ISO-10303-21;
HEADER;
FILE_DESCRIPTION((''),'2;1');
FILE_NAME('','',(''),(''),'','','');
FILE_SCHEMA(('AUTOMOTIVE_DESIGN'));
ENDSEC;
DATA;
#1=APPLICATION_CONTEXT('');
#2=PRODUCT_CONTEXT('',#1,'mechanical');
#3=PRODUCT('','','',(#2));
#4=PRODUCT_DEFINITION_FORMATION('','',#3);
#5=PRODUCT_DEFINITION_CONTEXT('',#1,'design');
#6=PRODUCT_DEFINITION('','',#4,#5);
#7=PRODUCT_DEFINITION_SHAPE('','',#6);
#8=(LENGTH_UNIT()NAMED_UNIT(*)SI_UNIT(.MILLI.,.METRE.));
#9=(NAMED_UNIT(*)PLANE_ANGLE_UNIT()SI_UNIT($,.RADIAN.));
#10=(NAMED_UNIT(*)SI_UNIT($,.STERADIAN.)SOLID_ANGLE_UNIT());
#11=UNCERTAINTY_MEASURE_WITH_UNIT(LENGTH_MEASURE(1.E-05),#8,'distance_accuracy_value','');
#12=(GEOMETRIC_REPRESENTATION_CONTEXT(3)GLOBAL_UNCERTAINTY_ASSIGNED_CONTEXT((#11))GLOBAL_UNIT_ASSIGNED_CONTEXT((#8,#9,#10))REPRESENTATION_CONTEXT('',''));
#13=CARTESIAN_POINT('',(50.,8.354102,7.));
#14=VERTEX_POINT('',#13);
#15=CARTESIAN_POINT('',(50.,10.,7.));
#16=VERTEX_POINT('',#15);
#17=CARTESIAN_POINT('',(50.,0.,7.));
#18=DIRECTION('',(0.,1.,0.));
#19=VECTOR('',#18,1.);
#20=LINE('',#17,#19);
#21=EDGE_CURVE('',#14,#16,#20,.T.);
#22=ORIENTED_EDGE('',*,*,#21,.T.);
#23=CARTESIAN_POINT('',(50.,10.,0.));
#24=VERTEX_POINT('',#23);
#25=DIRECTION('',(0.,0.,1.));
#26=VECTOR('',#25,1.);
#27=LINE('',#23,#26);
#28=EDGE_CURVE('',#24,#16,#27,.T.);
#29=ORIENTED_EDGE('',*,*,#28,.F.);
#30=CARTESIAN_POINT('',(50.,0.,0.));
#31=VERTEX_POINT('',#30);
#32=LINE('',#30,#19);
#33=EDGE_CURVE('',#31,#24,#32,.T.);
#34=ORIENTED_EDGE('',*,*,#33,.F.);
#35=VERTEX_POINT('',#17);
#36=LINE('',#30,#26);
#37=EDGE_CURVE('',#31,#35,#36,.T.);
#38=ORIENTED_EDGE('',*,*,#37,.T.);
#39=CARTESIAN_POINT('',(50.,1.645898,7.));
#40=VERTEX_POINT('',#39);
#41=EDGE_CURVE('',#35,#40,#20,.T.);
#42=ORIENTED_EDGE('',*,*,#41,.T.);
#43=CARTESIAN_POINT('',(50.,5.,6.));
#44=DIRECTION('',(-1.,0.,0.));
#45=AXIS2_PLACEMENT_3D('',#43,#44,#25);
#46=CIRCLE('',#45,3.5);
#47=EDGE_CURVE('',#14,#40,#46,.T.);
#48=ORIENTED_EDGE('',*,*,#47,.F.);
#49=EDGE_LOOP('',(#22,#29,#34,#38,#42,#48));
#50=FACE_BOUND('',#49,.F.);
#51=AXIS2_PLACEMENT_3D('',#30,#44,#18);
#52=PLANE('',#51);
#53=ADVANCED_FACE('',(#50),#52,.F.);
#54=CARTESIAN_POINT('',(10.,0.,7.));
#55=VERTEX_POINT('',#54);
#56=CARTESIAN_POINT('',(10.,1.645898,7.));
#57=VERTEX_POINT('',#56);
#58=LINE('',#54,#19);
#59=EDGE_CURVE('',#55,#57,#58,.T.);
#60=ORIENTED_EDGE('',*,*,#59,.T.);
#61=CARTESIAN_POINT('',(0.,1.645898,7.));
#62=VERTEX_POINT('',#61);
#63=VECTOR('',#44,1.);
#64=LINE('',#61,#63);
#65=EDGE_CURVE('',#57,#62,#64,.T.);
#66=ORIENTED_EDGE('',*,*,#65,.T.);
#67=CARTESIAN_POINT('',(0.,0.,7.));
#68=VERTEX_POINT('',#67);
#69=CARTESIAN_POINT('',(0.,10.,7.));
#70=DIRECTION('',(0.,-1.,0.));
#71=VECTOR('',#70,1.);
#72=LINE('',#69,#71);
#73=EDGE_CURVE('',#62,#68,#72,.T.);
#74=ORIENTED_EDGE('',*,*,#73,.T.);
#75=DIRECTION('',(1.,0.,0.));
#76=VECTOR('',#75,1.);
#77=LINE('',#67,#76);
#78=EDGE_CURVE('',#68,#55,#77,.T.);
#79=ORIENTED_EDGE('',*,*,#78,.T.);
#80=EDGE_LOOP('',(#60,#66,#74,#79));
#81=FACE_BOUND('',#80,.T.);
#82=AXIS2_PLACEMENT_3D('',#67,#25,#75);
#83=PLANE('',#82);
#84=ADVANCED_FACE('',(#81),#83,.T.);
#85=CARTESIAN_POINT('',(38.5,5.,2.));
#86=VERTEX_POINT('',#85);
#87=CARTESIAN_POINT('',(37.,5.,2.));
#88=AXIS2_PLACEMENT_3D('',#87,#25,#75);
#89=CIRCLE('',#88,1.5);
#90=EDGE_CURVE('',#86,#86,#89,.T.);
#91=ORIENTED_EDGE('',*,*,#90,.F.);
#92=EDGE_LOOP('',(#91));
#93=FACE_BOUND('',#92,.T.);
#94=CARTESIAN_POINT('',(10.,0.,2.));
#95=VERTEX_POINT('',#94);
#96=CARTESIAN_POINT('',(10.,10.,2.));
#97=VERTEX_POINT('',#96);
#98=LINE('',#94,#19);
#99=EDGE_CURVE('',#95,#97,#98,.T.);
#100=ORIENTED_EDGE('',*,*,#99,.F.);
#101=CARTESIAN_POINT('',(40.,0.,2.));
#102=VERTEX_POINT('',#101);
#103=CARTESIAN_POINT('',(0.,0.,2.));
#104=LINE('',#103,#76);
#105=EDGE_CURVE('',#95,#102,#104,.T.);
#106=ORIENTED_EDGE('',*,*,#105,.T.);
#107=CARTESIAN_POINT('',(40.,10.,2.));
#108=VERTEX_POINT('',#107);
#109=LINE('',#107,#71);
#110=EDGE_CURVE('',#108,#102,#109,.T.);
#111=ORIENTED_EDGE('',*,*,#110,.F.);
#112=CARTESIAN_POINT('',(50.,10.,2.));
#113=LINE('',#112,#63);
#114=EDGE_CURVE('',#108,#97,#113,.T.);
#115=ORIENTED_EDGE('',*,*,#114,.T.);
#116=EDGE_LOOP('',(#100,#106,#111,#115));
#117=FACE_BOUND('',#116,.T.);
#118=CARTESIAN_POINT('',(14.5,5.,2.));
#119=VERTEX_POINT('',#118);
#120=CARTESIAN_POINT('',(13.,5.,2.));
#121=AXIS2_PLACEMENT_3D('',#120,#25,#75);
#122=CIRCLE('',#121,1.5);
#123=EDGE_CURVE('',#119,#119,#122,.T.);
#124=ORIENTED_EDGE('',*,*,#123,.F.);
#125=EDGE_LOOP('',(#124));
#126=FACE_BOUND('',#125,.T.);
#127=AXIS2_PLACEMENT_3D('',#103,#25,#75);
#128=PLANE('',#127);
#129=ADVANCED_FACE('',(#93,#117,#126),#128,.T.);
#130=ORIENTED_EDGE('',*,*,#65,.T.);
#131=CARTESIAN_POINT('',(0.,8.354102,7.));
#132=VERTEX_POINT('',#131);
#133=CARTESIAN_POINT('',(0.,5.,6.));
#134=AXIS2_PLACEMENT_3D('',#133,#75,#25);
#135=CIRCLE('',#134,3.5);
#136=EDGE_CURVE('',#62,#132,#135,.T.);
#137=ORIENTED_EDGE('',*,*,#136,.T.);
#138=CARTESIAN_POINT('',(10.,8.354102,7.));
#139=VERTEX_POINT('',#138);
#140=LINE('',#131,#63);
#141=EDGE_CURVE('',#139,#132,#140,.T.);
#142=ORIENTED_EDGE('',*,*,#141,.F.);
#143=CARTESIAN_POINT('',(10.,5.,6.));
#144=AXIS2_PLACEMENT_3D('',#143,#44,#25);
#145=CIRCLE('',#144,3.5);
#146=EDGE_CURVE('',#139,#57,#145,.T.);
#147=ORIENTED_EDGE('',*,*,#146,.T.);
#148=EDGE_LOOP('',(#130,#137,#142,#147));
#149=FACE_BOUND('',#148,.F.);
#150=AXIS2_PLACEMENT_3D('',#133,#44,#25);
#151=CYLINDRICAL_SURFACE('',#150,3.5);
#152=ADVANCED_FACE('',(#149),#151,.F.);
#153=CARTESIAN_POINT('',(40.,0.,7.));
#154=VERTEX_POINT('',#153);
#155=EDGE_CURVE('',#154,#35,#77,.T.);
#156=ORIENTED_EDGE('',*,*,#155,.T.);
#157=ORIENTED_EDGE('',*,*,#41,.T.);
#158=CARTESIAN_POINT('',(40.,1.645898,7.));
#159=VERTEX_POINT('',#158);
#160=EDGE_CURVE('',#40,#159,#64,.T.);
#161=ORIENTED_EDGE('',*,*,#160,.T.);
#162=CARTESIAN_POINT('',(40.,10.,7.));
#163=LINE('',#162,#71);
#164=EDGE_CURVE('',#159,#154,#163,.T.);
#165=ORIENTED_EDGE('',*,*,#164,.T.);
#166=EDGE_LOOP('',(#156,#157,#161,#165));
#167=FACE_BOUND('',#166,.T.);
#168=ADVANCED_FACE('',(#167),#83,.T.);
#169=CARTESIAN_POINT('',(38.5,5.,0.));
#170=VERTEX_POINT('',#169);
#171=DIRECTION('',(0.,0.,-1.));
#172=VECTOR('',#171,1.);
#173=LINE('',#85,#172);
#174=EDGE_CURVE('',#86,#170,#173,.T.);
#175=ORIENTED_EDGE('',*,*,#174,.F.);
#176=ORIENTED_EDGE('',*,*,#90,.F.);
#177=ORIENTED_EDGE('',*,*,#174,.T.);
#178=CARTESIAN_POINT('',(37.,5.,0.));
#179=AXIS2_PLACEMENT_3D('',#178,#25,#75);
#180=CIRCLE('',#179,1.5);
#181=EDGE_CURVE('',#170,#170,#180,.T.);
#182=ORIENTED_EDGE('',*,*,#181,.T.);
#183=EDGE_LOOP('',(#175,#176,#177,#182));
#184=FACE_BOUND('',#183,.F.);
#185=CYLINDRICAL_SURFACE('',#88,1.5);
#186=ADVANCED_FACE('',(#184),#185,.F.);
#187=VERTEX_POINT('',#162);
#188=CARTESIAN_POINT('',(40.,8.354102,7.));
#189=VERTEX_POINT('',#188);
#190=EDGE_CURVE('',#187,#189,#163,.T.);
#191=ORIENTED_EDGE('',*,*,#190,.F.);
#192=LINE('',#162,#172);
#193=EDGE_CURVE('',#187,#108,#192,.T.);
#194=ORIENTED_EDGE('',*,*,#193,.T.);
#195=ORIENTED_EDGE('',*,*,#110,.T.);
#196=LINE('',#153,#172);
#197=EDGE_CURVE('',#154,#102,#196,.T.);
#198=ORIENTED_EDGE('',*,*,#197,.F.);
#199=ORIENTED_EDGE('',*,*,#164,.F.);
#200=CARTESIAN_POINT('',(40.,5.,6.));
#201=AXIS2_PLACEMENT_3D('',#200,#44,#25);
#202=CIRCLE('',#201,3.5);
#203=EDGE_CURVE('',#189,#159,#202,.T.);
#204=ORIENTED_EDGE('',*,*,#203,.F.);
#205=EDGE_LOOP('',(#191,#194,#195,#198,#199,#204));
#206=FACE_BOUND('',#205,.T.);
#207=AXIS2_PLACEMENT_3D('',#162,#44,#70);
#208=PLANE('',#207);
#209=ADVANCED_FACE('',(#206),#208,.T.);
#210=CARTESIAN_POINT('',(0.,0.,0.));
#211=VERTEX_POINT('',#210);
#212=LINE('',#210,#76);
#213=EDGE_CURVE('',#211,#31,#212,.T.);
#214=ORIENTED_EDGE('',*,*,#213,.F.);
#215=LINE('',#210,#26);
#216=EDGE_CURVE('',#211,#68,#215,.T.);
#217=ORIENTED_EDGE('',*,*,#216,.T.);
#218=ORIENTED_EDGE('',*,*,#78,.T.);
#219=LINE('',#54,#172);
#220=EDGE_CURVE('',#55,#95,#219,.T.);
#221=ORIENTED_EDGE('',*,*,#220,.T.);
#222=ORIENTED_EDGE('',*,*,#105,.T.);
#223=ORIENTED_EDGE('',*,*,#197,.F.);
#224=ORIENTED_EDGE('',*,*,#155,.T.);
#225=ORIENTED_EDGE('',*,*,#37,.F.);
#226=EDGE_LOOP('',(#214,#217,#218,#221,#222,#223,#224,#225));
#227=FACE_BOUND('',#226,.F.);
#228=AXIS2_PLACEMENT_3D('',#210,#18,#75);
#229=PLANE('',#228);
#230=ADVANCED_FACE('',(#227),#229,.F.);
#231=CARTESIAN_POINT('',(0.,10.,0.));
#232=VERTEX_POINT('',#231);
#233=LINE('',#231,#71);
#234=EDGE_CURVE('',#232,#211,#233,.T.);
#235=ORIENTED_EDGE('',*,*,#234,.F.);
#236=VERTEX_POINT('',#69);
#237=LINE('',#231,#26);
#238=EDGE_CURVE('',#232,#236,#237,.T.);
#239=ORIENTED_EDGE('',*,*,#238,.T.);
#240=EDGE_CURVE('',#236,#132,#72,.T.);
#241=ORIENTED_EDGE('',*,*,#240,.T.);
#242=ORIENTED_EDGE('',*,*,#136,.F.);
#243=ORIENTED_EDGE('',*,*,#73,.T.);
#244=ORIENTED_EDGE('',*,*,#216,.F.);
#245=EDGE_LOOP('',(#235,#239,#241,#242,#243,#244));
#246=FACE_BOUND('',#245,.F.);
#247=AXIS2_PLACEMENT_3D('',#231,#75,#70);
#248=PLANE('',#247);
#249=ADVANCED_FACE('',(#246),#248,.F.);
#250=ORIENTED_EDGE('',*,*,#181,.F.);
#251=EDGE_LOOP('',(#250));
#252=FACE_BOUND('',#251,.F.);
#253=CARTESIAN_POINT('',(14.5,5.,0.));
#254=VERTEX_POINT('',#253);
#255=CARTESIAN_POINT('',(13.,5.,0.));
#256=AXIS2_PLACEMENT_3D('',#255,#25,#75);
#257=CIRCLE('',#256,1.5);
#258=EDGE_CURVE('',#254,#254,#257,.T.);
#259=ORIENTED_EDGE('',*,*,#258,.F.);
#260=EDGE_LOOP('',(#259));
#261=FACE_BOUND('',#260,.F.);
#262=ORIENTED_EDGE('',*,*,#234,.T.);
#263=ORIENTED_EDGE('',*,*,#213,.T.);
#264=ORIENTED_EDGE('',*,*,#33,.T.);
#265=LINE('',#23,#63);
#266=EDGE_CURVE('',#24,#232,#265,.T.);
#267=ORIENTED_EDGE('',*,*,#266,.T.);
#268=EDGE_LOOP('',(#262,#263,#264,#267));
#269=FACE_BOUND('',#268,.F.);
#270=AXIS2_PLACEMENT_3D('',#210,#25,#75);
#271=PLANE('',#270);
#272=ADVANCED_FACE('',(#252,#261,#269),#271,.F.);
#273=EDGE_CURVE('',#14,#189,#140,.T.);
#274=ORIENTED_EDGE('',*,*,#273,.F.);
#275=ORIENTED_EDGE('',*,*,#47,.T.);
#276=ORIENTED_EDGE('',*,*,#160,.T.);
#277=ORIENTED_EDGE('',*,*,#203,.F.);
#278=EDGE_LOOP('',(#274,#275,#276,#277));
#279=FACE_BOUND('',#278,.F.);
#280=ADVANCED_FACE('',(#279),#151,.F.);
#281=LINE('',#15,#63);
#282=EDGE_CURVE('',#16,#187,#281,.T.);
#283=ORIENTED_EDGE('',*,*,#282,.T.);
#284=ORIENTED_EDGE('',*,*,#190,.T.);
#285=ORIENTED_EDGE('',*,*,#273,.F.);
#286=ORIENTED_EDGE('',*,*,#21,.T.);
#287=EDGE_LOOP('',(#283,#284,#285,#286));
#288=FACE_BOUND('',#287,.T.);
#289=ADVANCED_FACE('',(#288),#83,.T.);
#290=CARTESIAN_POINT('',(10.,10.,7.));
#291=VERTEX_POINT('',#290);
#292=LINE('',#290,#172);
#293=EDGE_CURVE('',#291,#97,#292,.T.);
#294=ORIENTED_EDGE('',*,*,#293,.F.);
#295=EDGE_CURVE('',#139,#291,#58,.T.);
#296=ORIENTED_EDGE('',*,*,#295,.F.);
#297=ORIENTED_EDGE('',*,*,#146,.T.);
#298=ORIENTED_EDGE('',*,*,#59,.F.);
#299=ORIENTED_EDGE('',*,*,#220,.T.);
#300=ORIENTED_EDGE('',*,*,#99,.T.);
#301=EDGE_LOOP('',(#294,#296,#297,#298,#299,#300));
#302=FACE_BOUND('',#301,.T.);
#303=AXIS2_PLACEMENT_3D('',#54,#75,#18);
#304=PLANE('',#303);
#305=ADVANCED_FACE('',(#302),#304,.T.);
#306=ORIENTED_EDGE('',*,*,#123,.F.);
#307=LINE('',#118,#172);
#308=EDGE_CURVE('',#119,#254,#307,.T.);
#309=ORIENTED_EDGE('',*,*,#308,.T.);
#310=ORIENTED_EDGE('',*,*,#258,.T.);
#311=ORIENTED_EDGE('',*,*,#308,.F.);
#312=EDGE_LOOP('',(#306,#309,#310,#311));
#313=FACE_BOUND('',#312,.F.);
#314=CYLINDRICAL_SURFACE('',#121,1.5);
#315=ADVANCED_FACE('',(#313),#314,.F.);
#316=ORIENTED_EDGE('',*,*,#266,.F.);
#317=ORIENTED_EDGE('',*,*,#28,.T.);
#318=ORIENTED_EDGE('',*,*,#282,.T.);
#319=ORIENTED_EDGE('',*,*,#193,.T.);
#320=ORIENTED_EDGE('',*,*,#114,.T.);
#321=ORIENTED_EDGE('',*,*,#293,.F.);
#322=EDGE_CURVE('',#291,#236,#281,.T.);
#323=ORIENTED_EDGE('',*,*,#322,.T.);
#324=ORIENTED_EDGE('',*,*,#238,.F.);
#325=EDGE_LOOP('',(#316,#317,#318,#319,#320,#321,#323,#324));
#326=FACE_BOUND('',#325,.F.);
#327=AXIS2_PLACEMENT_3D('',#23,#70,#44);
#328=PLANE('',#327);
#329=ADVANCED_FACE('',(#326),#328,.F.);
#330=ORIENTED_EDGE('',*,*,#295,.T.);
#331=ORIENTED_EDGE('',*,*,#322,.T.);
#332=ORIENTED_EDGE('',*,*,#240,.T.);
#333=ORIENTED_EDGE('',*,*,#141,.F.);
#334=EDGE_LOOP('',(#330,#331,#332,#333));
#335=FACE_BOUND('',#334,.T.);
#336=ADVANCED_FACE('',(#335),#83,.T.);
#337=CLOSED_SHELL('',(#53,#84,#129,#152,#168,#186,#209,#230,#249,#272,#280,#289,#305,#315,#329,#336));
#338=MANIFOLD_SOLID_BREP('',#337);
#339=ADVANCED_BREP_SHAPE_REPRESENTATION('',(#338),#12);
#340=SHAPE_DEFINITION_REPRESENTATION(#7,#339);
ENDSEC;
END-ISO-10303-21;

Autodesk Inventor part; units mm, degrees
ref_plane "YZ Plane" through (0, 0, 0) normal (1, 0, 0) x (0, 1, 0)
ref_plane "XZ Plane" through (0, 0, 0) normal (0, 1, 0) x (-1, 0, 0)
ref_plane "XY Plane" through (0, 0, 0) normal (0, 0, 1) x (1, 0, 0)
sketch "Sketch1" plane through (0, 0, 0) normal (0, 0, 1) x (1, 0, 0)
  line L0 (0, 0) -> (50, 0)
  line L1 (50, 0) -> (50, 10)
  line L2 (50, 10) -> (0, 10)
  line L3 (0, 10) -> (0, 0)
  dimension "d0" = 50
  dimension "d1" = 10
extrude "Extrusion1" add sketch "Sketch1" along normal blind 7
sketch "Sketch2" plane through (0, 0, 0) normal (-1, 0, 0) x (0, 0, 1)
  circle A0 centre (6, 5) radius 3.5
  line L0 (7, 10) -> (7, 0) projected
  point P0 (0, 0)
  point P1 (7, 5)
  dimension "d4" = 7
  dimension "d33" = 1
extrude "Extrusion2" cut sketch "Sketch2" against normal through all
sketch "Sketch3" plane through (0, 0, 0) normal (0, 0, -1) x (-1, 0, 0)
  line L0 (-50, 0) -> (-50, 10) projected
  line L1 (0, 10) -> (0, 0) projected
  line L2 (-50, 10) -> (-38, 10)
  line L3 (-38, 10) -> (-38, 16)
  line L4 (-38, 16) -> (-50, 16)
  line L5 (-50, 16) -> (-50, 10)
  line L6 (0, 10) -> (-12, 10)
  line L7 (-12, 10) -> (-12, 16)
  line L8 (-12, 16) -> (0, 16)
  line L9 (0, 16) -> (0, 10)
  line L10 (0, 0) -> (-12, 0)
  line L11 (-12, 0) -> (-12, -6)
  line L12 (-12, -6) -> (0, -6)
  line L13 (0, -6) -> (0, 0)
  line L14 (-50, 0) -> (-38, 0)
  line L15 (-38, 0) -> (-38, -6)
  line L16 (-38, -6) -> (-50, -6)
  line L17 (-50, -6) -> (-50, 0)
  circle A0 centre (-44, 13) radius 1.5
  circle A1 centre (-6, 13) radius 1.5
  circle A2 centre (-6, -3) radius 1.5
  circle A3 centre (-44, -3) radius 1.5
  point P0 (-38, 13)
  point P1 (-12, 13)
  point P2 (-12, -3)
  point P3 (-50, -3)
  point P4 (-44, 16)
  point P5 (-6, 16)
  point P6 (-6, 0)
  point P7 (-44, 0)
  dimension "d15" = 12
  dimension "d16" = 6
  dimension "d17" = 12
  dimension "d18" = 6
  dimension "d19" = 12
  dimension "d20" = 6
  dimension "d21" = 12
  dimension "d22" = 6
  dimension "d23" = 3
  dimension "d24" = 3
  dimension "d25" = 3
  dimension "d26" = 3
extrude "Extrusion3" [suppressed]
sketch "Sketch4" plane through (0, 0, 7) normal (0, 0, 1) x (1, 0, 0)
  line L0 (50, 10) -> (0, 10) projected
  line L1 (0, 0) -> (50, 0) projected
  line L2 (10, 10) -> (40, 10)
  line L3 (40, 10) -> (40, 0)
  line L4 (40, 0) -> (10, 0)
  line L5 (10, 0) -> (10, 10)
  point P0 (25, 10)
  dimension "d29" = 30
extrude "Extrusion4" cut sketch "Sketch4" against normal blind 5
sketch "Sketch6" plane through (0, 0, 2) normal (0, 0, 1) x (1, 0, 0)
  line L0 (10, 10) -> (40, 10) projected
  line L1 (10, 10) -> (40, 10)
  line L2 (40, 10) -> (40, 13)
  line L3 (40, 13) -> (10, 13)
  line L4 (10, 13) -> (10, 10)
  point P0 (0, 0)
  dimension "d41" = 3
extrude "Extrusion6" [suppressed]
sketch "Sketch5" plane through (0, 0, 2) normal (0, 0, 1) x (1, 0, 0)
  circle A0 centre (13, 5) radius 1.5
  circle A1 centre (37, 5) radius 1.5
  line L0 (40, 13) -> (10, 13)
  point P0 (0, 0)
  dimension "d34" = 3
  dimension "d35" = 3
  dimension "d44" = 8
  dimension "d45" = 3
  dimension "d46" = 3
extrude "Extrusion5" cut sketch "Sketch5" against normal blind 10
equation "\"d15\" = d21"
equation "\"d17\" = d21"
equation "\"d19\" = d21"
properties part number "bearing bed2"
